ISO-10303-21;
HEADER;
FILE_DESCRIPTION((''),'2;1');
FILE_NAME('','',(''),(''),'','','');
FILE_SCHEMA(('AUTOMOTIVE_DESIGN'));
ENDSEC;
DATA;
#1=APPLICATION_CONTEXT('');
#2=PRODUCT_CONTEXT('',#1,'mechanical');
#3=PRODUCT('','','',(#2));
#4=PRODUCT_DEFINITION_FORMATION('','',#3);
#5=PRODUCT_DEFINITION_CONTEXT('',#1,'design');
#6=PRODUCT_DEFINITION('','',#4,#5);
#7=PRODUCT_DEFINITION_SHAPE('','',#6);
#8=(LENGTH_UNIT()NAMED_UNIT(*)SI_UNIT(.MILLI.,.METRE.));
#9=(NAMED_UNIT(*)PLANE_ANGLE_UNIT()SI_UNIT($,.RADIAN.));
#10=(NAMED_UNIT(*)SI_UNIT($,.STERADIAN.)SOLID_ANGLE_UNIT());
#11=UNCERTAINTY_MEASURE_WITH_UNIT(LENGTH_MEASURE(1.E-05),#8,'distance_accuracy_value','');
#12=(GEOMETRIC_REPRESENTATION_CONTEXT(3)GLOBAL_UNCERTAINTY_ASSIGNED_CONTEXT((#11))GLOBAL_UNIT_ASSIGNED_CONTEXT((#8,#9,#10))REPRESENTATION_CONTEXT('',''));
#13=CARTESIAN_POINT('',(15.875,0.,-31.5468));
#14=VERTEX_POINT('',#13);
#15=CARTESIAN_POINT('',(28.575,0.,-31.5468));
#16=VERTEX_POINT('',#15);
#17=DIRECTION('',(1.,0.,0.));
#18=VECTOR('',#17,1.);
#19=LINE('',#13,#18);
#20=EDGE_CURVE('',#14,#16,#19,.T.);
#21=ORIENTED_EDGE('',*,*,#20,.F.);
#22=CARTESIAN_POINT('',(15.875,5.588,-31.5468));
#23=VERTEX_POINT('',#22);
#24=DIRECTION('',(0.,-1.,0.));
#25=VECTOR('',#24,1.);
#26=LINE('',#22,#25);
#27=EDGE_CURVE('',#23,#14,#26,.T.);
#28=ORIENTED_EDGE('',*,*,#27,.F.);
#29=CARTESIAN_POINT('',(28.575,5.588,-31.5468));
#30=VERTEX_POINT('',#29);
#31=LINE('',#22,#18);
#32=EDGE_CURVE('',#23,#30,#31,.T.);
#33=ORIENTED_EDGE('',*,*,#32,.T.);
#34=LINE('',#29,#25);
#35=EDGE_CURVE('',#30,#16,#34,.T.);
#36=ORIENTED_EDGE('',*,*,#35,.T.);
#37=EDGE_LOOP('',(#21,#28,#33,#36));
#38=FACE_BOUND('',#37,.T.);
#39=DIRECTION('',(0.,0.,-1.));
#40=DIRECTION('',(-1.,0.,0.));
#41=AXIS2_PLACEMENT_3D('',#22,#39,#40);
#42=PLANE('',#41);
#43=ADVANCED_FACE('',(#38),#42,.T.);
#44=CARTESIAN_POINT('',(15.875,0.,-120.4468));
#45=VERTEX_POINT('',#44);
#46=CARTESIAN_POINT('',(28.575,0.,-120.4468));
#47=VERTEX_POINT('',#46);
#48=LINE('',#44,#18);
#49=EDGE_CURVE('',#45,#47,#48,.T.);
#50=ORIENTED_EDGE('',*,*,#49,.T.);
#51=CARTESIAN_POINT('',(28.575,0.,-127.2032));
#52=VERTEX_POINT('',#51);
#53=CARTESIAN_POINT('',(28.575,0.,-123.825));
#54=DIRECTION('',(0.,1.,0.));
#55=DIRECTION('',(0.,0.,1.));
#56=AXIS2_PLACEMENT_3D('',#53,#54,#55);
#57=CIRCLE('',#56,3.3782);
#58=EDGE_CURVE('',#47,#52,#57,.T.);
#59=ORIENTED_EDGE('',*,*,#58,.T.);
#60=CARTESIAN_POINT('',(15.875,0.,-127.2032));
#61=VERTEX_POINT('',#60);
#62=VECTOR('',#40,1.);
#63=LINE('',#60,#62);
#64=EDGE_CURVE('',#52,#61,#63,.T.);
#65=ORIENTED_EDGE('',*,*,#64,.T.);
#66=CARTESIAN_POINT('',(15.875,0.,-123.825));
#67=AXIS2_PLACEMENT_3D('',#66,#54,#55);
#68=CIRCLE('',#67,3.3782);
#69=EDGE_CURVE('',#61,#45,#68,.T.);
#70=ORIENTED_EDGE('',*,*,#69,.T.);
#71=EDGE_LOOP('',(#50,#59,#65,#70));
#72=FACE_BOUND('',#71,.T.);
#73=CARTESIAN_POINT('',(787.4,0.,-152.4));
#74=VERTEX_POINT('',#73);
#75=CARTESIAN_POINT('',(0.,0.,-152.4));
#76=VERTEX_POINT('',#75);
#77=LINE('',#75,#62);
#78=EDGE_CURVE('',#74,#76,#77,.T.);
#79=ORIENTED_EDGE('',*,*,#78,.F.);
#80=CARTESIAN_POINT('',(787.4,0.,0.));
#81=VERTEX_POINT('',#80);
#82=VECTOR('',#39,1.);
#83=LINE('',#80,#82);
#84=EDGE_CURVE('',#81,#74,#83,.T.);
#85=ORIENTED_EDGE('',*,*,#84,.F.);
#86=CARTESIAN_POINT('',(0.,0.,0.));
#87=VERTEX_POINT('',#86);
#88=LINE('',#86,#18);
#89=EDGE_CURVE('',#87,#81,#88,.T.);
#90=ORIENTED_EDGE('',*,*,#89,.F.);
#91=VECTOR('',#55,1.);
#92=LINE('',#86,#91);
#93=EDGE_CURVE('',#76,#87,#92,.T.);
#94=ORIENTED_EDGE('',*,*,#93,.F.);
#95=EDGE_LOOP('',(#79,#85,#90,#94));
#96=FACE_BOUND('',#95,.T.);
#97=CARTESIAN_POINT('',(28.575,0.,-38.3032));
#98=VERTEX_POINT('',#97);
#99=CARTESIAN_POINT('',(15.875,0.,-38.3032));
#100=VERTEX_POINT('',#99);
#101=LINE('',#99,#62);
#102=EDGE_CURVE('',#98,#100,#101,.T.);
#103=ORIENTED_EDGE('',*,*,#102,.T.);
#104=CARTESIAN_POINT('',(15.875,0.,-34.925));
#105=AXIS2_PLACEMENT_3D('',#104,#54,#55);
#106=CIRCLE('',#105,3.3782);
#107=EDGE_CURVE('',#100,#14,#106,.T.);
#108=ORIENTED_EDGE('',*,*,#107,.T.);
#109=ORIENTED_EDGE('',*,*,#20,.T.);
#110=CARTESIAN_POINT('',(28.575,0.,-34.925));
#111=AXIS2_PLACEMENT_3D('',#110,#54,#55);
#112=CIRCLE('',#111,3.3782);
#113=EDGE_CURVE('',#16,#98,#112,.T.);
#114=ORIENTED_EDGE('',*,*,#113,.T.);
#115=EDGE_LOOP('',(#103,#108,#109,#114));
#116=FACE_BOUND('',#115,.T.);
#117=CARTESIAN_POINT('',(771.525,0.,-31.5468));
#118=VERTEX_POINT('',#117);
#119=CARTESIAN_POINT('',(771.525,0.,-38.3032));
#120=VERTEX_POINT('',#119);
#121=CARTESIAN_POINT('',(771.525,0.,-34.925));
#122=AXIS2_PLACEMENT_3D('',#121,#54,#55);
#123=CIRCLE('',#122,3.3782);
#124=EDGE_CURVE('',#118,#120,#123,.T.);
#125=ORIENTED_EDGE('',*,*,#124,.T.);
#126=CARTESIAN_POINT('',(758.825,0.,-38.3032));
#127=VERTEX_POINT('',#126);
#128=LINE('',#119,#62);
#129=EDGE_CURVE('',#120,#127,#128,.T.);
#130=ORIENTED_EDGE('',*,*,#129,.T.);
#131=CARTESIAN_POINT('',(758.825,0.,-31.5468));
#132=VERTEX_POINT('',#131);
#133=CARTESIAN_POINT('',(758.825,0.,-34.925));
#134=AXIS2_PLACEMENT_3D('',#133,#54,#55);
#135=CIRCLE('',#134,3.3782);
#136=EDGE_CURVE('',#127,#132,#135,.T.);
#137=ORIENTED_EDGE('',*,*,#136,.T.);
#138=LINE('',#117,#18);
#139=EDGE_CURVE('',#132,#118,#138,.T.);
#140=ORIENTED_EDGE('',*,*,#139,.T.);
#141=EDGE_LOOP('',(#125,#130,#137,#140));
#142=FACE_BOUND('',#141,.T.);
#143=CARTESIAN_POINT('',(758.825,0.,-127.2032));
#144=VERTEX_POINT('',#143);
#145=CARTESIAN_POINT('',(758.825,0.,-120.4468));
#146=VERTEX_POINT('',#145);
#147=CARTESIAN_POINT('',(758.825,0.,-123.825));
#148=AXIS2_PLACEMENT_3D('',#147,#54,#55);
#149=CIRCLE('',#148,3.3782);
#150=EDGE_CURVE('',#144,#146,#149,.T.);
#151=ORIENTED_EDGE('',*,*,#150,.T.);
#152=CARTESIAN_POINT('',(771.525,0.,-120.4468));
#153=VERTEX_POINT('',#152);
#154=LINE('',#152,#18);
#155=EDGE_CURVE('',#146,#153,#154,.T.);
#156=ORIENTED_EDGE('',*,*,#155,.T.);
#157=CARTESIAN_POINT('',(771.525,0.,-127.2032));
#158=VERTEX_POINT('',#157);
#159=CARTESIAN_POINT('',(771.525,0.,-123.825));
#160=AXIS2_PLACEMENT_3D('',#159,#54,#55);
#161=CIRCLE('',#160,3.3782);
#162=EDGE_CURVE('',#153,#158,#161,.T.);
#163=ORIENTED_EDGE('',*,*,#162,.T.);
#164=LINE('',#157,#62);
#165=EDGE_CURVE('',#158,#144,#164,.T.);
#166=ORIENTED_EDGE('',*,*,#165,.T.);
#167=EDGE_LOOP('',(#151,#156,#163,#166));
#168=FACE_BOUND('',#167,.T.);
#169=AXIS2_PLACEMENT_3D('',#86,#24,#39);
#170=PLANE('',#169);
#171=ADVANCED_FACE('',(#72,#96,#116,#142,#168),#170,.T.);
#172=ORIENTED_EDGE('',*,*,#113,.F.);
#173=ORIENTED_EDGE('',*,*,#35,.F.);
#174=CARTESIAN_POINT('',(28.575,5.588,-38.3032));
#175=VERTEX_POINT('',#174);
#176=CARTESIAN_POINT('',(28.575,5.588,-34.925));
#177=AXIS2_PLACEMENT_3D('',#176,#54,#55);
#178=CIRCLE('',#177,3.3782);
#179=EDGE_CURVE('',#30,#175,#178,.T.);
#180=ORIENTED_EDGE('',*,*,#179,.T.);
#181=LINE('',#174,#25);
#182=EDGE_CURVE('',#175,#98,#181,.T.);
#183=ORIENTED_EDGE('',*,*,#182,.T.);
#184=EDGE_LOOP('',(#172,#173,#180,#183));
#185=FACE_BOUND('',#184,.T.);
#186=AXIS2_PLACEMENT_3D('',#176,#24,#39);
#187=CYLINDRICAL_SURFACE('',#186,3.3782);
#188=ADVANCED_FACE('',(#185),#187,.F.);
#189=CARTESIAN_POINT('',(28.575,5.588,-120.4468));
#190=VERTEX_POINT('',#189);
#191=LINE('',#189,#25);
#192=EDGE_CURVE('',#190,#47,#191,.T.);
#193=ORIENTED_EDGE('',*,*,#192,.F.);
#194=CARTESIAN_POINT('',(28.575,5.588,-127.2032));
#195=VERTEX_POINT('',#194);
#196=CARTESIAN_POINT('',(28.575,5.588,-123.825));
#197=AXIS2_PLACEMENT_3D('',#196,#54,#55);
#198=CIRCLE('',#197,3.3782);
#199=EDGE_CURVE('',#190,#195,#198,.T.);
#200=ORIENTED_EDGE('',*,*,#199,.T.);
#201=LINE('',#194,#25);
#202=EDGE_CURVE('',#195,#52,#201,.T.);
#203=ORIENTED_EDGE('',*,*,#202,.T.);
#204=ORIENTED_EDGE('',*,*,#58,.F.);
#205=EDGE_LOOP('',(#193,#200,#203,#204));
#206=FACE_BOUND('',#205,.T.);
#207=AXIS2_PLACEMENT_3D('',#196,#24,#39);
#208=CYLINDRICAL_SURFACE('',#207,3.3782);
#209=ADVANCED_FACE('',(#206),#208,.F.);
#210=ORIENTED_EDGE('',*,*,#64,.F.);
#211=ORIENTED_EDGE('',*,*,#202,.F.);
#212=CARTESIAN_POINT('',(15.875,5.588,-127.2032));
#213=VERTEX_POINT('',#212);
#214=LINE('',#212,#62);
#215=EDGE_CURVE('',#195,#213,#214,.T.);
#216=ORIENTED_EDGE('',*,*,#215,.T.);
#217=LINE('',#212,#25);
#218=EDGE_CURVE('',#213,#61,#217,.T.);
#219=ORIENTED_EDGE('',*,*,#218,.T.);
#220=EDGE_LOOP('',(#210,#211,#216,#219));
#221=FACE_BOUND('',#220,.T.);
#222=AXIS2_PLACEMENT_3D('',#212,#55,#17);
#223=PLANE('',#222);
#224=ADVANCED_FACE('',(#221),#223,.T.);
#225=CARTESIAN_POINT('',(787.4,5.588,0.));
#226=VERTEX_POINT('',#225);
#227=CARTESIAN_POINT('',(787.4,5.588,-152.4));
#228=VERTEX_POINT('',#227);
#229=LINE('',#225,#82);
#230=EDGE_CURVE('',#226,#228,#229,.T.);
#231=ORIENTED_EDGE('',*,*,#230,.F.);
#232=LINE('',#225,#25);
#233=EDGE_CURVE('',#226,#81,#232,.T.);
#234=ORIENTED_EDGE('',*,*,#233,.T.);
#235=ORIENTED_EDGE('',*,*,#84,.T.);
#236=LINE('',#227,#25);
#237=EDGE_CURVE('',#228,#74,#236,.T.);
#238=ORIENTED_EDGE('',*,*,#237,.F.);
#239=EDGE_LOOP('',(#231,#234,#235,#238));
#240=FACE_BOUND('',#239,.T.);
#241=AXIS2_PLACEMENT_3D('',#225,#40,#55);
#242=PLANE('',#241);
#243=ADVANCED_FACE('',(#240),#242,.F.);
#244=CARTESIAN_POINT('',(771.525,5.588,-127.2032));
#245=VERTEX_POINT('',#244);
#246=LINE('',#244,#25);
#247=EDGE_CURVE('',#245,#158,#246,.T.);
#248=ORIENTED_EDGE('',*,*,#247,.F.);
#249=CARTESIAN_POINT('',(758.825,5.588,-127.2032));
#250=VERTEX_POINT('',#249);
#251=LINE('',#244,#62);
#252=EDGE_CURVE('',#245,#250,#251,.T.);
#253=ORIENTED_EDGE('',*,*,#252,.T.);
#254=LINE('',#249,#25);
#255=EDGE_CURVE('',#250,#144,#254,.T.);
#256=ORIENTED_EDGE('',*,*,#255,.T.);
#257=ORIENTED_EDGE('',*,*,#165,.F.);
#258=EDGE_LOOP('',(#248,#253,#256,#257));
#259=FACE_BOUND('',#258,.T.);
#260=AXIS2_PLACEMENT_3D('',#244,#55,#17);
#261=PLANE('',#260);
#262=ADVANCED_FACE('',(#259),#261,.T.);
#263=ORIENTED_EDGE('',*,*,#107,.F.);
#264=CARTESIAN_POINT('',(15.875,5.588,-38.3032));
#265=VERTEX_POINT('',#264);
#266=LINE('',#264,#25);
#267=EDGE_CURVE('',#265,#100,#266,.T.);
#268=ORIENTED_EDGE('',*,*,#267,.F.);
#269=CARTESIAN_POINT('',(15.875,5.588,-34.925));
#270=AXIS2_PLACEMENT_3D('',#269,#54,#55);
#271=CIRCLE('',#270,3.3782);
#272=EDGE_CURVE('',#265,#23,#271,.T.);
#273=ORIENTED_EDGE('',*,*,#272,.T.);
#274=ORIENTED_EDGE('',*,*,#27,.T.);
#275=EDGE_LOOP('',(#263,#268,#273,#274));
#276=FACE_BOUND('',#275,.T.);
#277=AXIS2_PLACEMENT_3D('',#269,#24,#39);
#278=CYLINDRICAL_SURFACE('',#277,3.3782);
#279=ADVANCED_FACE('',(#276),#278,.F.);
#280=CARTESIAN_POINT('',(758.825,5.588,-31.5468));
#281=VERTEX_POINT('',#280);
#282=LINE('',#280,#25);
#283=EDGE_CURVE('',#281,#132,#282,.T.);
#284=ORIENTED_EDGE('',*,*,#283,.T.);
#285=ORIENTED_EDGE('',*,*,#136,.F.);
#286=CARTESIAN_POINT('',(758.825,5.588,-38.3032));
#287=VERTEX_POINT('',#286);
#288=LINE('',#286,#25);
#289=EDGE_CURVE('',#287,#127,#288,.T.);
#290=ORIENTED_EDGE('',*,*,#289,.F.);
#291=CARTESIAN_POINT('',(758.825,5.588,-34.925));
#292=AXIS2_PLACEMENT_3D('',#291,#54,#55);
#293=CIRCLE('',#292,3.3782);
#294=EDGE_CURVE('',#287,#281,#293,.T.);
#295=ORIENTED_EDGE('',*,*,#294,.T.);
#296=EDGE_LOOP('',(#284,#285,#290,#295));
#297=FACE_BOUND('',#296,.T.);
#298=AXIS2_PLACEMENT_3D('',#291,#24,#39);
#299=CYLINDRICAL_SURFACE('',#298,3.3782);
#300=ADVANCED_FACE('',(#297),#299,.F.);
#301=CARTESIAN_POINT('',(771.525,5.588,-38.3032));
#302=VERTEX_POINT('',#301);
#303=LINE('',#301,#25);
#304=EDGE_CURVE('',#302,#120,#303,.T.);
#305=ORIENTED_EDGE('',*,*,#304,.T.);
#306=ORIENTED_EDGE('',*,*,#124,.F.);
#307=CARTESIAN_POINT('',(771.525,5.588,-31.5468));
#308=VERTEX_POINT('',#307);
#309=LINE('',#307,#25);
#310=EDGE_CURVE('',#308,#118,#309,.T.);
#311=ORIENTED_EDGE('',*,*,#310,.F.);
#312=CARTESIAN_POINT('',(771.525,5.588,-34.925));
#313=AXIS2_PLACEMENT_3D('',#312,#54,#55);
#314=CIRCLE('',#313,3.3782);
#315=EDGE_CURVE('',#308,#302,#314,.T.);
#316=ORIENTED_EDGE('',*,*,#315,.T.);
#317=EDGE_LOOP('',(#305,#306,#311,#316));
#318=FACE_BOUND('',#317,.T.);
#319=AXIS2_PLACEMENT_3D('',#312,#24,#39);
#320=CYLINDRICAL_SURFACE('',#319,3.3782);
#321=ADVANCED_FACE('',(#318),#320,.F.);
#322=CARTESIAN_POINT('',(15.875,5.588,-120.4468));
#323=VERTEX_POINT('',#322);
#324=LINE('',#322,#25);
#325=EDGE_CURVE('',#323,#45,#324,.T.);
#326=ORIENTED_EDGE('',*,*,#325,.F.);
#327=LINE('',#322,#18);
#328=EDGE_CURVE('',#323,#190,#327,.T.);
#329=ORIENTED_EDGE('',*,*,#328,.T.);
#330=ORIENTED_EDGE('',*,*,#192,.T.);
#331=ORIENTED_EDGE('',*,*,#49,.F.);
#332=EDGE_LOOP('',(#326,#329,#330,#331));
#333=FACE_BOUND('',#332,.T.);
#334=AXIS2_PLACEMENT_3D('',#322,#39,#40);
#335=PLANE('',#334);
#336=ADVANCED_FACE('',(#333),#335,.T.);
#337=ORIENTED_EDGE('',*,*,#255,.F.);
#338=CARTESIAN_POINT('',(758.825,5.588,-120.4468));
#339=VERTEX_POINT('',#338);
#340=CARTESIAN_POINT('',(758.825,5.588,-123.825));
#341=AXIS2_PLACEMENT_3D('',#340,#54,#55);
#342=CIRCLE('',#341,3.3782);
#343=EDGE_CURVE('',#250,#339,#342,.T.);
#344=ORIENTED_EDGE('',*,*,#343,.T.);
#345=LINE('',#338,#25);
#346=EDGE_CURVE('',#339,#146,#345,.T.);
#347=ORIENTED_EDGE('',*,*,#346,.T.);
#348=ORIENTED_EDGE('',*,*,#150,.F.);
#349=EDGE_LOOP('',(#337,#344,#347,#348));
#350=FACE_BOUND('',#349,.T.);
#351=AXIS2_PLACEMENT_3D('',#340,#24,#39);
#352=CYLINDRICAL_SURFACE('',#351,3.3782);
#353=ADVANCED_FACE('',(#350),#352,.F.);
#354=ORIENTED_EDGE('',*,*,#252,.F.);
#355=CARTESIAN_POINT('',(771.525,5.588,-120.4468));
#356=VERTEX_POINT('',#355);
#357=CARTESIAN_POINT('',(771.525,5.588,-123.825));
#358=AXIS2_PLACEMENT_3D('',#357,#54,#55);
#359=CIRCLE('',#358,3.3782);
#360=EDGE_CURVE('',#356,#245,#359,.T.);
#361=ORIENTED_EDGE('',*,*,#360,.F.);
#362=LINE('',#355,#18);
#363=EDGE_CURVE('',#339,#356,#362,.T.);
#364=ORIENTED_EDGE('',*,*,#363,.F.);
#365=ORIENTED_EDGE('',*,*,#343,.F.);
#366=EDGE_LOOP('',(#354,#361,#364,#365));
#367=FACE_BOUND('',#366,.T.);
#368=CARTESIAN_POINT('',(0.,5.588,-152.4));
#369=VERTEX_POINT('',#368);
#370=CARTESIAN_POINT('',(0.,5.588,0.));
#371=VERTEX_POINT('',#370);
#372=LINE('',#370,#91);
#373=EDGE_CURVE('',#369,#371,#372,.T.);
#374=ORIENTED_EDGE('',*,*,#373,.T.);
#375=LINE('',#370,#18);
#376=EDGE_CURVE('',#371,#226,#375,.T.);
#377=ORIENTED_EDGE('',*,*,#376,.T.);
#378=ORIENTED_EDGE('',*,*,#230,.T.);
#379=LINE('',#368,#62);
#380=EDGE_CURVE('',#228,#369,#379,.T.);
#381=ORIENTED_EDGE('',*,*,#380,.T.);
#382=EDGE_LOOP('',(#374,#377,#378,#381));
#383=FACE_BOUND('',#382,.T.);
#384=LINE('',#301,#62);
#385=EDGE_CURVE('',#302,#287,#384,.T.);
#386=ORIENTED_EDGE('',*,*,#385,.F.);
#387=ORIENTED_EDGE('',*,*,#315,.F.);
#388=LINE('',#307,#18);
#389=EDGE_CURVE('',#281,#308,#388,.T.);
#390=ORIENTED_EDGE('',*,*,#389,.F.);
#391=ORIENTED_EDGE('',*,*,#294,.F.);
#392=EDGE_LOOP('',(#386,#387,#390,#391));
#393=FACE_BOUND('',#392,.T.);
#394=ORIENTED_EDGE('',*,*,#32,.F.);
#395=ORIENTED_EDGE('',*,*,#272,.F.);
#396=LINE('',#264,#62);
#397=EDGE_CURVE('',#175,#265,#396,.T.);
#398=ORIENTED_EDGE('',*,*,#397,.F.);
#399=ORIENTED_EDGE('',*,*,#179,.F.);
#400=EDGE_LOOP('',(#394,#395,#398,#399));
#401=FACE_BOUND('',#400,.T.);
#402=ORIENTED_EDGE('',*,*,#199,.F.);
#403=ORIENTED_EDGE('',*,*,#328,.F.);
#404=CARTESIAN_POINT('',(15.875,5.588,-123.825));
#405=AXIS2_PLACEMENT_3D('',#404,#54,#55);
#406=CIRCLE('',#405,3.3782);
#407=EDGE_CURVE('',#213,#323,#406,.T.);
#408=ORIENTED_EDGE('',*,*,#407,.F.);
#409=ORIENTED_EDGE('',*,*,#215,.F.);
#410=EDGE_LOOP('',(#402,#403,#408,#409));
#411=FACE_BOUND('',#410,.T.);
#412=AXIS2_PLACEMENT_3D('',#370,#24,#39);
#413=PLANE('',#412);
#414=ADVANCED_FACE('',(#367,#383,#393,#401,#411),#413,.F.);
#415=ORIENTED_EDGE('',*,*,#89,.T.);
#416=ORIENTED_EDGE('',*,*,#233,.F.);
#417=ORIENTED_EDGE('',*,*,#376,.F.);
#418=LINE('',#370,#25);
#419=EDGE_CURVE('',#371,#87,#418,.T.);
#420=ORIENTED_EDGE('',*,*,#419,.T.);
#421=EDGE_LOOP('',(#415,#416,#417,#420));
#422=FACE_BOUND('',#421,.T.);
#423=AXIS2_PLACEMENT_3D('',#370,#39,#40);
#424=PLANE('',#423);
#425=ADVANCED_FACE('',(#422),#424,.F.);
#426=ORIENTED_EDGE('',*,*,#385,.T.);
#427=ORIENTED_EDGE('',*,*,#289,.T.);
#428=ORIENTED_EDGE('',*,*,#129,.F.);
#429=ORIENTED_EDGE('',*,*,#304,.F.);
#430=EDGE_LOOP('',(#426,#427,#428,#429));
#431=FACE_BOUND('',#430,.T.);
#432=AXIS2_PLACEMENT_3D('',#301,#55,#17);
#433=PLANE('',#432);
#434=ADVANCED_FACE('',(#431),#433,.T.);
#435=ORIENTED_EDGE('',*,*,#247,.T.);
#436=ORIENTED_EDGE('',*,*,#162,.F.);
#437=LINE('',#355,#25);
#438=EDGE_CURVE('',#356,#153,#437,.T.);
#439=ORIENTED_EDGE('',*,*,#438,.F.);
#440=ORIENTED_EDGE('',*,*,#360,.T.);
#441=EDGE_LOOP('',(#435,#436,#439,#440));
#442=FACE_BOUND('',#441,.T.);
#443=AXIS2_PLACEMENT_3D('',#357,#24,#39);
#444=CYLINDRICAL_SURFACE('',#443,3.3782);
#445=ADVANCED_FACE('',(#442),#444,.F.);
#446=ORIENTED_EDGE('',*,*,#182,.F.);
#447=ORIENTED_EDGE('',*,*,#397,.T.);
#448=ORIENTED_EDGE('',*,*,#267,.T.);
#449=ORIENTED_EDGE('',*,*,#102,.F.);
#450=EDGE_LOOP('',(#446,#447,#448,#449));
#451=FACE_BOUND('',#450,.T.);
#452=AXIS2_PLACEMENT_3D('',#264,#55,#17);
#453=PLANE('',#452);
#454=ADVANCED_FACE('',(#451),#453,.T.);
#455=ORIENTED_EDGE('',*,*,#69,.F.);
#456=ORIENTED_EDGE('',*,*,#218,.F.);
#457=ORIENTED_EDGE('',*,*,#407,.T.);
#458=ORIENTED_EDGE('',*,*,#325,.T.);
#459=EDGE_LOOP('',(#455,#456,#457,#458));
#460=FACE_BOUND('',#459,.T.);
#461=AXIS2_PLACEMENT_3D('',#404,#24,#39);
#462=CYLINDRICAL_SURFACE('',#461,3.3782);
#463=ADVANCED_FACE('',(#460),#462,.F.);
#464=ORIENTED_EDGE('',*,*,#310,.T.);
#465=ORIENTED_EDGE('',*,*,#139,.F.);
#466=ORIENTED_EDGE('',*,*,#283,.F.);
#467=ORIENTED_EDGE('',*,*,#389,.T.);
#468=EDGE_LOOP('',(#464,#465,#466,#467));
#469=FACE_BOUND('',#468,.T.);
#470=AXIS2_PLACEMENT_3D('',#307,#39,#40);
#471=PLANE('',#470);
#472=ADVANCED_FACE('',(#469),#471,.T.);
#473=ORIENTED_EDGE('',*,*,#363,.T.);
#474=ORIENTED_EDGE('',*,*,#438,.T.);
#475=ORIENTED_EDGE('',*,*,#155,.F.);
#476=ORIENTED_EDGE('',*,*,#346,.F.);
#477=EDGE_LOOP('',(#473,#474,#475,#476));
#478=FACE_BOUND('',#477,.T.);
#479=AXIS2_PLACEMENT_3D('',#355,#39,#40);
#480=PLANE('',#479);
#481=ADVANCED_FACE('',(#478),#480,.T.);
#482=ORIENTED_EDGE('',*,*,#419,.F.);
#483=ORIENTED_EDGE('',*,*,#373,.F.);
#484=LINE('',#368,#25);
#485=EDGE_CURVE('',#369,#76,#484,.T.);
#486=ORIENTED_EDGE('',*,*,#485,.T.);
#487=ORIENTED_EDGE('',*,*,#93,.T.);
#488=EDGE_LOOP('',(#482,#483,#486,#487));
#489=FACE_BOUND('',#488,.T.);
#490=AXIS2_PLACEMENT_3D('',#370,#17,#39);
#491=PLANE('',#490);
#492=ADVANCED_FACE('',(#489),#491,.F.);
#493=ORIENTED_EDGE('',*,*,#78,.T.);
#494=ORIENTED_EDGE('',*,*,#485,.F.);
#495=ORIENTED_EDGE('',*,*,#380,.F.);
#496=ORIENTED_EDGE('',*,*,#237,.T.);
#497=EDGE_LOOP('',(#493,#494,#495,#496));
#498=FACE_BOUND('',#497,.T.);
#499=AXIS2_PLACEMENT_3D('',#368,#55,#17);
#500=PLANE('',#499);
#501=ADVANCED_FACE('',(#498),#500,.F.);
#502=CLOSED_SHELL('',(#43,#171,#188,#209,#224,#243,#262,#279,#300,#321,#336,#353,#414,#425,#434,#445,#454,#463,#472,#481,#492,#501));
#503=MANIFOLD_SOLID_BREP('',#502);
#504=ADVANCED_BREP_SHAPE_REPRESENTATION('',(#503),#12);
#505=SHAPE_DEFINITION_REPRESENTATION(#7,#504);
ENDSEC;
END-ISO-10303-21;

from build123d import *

# Parameters (mm, degrees)
SKETCH1_W           = 787.4
SKETCH1_H           = 152.4
BOSS_EXTRUDE1_DEPTH = 5.588


with BuildPart() as part:
    # Sketch1 → Boss-Extrude1 (new body)
    with BuildSketch(Plane(origin=(0, 0, 0), x_dir=(1, 0, 0), z_dir=(0, 1, 0))):
        with Locations((393.7, 76.2)):
            Rectangle(SKETCH1_W, SKETCH1_H)
        with BuildLine():
            Line((15.875, 38.3032), (28.575, 38.3032))
            ThreePointArc((28.575, 38.3032), (31.9532, 34.925), (28.575, 31.5468))
            Line((28.575, 31.5468), (15.875, 31.5468))
            ThreePointArc((15.875, 31.5468), (12.4968, 34.925), (15.875, 38.3032))
        make_face(mode=Mode.SUBTRACT)
        with BuildLine():
            Line((15.875, 127.2032), (28.575, 127.2032))
            ThreePointArc((28.575, 127.2032), (31.9532, 123.825), (28.575, 120.4468))
            Line((28.575, 120.4468), (15.875, 120.4468))
            ThreePointArc((15.875, 120.4468), (12.4968, 123.825), (15.875, 127.2032))
        make_face(mode=Mode.SUBTRACT)
        with BuildLine():
            Line((771.525, 120.4468), (758.825, 120.4468))
            ThreePointArc((758.825, 120.4468), (755.4468, 123.825), (758.825, 127.2032))
            Line((758.825, 127.2032), (771.525, 127.2032))
            ThreePointArc((771.525, 127.2032), (774.9032, 123.825), (771.525, 120.4468))
        make_face(mode=Mode.SUBTRACT)
        with BuildLine():
            Line((771.525, 31.5468), (758.825, 31.5468))
            ThreePointArc((758.825, 31.5468), (755.4468, 34.925), (758.825, 38.3032))
            Line((758.825, 38.3032), (771.525, 38.3032))
            ThreePointArc((771.525, 38.3032), (774.9032, 34.925), (771.525, 31.5468))
        make_face(mode=Mode.SUBTRACT)
    extrude(amount=BOSS_EXTRUDE1_DEPTH)


solid = part.part
